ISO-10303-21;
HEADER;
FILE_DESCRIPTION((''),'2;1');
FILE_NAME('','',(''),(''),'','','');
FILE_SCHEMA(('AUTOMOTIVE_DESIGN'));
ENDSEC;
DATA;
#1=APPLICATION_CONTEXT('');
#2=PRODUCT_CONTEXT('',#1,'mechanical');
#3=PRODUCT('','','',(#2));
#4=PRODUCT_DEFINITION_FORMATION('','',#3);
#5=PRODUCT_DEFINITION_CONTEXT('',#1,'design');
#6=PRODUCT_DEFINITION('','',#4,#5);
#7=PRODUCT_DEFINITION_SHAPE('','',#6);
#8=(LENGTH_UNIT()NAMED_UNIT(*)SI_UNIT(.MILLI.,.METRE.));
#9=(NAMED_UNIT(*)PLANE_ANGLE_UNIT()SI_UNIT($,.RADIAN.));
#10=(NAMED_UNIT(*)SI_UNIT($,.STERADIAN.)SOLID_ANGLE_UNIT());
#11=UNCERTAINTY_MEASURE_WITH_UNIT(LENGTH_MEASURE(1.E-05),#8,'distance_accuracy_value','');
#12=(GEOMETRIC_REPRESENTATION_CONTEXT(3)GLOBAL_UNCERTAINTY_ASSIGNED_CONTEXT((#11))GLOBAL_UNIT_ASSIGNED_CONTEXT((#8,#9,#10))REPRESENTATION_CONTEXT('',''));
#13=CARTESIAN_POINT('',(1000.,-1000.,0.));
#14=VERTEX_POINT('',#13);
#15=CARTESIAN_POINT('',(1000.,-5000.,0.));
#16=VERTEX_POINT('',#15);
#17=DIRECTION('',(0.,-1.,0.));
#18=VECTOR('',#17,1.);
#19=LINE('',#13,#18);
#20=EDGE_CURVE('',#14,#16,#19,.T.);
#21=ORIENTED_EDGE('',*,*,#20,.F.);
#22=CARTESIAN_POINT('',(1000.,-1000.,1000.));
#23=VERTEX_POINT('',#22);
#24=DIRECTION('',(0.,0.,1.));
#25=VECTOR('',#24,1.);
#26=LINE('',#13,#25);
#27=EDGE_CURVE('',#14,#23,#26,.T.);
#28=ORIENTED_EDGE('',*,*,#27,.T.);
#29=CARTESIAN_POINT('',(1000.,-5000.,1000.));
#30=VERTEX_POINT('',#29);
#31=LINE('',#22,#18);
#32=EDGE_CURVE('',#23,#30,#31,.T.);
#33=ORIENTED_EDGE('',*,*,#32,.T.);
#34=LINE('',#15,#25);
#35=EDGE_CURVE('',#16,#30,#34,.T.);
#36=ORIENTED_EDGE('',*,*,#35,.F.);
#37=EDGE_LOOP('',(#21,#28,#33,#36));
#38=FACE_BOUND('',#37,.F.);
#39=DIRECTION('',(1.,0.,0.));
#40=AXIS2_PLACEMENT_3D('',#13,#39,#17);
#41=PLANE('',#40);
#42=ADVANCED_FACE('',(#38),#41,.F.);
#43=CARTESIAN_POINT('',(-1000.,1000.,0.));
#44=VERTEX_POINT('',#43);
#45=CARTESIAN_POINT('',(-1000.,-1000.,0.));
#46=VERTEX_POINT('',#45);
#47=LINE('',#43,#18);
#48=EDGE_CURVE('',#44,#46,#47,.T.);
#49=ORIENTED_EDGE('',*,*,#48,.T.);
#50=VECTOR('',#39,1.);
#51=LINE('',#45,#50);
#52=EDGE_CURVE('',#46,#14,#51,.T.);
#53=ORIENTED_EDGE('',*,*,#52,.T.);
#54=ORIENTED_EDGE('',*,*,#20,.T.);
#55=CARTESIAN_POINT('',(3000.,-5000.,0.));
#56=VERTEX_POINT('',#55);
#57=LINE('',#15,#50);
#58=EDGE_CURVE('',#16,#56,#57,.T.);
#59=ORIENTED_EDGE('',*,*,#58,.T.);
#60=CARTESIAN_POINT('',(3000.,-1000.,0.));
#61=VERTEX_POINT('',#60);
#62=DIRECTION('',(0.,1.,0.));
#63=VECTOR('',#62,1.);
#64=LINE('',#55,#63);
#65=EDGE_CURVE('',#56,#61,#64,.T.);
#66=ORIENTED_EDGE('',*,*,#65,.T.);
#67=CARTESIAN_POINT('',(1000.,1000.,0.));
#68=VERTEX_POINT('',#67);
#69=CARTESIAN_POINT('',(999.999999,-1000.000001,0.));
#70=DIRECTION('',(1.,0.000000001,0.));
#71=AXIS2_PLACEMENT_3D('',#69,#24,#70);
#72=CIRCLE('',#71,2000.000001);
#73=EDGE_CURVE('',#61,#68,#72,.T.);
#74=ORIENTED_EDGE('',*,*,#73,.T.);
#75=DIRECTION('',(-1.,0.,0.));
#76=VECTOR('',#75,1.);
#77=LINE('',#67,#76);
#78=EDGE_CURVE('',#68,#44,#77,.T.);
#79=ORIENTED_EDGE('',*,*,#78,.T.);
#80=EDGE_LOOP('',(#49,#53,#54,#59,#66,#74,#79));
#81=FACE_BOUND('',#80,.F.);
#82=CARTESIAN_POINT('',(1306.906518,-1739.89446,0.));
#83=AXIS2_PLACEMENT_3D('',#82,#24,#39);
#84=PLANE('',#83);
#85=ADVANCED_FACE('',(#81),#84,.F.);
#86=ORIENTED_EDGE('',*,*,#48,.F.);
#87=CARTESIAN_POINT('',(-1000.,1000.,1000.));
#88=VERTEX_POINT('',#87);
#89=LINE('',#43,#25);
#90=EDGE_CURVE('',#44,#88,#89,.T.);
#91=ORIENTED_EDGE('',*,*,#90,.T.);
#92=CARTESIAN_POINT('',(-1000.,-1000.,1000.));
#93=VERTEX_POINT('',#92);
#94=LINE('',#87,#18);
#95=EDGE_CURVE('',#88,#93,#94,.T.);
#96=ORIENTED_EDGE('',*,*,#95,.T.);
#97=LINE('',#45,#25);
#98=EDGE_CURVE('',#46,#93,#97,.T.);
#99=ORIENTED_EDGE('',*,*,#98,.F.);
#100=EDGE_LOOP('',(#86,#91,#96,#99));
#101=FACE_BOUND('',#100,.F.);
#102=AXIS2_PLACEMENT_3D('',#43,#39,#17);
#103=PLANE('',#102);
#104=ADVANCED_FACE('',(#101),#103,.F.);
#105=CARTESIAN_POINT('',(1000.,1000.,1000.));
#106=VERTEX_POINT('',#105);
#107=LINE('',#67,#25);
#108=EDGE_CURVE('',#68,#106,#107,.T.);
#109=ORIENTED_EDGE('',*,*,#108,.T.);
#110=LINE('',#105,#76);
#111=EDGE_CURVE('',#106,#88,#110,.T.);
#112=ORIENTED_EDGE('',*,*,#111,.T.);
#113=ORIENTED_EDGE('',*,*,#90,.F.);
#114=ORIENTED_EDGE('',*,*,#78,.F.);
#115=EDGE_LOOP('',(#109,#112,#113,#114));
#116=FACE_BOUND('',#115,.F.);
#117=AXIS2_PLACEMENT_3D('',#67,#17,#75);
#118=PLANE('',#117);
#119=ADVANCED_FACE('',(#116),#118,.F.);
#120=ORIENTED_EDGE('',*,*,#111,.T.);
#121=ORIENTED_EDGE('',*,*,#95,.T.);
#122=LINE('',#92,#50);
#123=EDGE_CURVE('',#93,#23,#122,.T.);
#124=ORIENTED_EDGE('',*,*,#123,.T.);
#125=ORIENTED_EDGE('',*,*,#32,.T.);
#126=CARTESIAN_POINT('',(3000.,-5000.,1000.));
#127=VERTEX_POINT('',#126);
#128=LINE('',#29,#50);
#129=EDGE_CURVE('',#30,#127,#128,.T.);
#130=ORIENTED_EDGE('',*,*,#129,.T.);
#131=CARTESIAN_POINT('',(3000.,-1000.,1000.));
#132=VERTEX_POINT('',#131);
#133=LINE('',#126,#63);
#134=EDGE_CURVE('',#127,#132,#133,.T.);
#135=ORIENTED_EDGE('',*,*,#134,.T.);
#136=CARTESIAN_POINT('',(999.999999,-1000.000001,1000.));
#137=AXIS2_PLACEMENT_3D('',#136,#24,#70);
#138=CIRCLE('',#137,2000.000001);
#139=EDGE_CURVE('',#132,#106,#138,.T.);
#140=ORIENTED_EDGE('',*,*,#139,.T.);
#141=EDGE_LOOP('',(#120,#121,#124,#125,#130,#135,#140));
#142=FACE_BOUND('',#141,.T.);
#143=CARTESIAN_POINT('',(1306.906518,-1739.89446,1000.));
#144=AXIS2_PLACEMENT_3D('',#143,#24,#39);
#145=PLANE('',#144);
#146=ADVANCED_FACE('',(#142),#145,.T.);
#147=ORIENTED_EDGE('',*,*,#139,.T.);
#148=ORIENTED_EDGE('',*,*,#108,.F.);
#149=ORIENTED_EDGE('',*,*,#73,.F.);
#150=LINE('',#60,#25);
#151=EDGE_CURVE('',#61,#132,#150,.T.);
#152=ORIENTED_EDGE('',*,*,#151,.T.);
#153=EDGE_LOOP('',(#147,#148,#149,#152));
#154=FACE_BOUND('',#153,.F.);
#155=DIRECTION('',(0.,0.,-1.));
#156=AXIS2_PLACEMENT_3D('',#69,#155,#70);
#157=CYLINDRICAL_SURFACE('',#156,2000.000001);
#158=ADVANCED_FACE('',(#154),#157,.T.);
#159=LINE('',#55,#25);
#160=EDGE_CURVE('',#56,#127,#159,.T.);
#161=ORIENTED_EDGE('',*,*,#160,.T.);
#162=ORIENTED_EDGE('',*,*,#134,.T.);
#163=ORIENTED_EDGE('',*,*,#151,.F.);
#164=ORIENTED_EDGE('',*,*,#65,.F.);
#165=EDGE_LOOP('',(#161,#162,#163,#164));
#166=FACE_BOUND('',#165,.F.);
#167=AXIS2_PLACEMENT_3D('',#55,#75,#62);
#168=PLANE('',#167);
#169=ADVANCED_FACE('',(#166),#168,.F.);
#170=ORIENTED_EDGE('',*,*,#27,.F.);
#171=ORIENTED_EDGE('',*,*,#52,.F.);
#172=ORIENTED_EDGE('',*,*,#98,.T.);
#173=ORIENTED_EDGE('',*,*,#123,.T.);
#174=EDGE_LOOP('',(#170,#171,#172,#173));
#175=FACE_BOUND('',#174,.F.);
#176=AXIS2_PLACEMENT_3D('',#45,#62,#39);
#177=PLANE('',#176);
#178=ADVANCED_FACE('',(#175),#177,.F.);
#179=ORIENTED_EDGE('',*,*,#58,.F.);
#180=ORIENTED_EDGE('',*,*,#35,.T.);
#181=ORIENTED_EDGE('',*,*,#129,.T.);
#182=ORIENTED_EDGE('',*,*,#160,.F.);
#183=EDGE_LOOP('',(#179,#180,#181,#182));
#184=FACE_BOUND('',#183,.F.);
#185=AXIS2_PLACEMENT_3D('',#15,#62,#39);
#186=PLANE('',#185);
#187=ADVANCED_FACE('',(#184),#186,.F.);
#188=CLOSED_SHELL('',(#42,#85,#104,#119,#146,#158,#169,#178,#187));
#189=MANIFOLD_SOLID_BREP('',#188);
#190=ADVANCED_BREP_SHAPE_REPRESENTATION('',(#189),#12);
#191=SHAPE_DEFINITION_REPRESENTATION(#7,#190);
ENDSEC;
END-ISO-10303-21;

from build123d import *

# Parameters (mm, degrees)
F1_DEPTH = 1000


with BuildPart() as f1:
    # F0 (on Top) → F1 (new body)
    with BuildSketch(Plane.XY):
        with BuildLine():
            ThreePointArc((3000, -1000), (2414.213562, 414.213562), (1000, 1000))
            Line((1000, 1000), (-1000, 1000))
            Line((-1000, 1000), (-1000, -1000))
            Line((-1000, -1000), (1000, -1000))
            Line((1000, -1000), (1000, -5000))
            Line((1000, -5000), (3000, -5000))
            Line((3000, -5000), (3000, -1000))
        make_face()
    extrude(amount=F1_DEPTH)


solid = f1.part
